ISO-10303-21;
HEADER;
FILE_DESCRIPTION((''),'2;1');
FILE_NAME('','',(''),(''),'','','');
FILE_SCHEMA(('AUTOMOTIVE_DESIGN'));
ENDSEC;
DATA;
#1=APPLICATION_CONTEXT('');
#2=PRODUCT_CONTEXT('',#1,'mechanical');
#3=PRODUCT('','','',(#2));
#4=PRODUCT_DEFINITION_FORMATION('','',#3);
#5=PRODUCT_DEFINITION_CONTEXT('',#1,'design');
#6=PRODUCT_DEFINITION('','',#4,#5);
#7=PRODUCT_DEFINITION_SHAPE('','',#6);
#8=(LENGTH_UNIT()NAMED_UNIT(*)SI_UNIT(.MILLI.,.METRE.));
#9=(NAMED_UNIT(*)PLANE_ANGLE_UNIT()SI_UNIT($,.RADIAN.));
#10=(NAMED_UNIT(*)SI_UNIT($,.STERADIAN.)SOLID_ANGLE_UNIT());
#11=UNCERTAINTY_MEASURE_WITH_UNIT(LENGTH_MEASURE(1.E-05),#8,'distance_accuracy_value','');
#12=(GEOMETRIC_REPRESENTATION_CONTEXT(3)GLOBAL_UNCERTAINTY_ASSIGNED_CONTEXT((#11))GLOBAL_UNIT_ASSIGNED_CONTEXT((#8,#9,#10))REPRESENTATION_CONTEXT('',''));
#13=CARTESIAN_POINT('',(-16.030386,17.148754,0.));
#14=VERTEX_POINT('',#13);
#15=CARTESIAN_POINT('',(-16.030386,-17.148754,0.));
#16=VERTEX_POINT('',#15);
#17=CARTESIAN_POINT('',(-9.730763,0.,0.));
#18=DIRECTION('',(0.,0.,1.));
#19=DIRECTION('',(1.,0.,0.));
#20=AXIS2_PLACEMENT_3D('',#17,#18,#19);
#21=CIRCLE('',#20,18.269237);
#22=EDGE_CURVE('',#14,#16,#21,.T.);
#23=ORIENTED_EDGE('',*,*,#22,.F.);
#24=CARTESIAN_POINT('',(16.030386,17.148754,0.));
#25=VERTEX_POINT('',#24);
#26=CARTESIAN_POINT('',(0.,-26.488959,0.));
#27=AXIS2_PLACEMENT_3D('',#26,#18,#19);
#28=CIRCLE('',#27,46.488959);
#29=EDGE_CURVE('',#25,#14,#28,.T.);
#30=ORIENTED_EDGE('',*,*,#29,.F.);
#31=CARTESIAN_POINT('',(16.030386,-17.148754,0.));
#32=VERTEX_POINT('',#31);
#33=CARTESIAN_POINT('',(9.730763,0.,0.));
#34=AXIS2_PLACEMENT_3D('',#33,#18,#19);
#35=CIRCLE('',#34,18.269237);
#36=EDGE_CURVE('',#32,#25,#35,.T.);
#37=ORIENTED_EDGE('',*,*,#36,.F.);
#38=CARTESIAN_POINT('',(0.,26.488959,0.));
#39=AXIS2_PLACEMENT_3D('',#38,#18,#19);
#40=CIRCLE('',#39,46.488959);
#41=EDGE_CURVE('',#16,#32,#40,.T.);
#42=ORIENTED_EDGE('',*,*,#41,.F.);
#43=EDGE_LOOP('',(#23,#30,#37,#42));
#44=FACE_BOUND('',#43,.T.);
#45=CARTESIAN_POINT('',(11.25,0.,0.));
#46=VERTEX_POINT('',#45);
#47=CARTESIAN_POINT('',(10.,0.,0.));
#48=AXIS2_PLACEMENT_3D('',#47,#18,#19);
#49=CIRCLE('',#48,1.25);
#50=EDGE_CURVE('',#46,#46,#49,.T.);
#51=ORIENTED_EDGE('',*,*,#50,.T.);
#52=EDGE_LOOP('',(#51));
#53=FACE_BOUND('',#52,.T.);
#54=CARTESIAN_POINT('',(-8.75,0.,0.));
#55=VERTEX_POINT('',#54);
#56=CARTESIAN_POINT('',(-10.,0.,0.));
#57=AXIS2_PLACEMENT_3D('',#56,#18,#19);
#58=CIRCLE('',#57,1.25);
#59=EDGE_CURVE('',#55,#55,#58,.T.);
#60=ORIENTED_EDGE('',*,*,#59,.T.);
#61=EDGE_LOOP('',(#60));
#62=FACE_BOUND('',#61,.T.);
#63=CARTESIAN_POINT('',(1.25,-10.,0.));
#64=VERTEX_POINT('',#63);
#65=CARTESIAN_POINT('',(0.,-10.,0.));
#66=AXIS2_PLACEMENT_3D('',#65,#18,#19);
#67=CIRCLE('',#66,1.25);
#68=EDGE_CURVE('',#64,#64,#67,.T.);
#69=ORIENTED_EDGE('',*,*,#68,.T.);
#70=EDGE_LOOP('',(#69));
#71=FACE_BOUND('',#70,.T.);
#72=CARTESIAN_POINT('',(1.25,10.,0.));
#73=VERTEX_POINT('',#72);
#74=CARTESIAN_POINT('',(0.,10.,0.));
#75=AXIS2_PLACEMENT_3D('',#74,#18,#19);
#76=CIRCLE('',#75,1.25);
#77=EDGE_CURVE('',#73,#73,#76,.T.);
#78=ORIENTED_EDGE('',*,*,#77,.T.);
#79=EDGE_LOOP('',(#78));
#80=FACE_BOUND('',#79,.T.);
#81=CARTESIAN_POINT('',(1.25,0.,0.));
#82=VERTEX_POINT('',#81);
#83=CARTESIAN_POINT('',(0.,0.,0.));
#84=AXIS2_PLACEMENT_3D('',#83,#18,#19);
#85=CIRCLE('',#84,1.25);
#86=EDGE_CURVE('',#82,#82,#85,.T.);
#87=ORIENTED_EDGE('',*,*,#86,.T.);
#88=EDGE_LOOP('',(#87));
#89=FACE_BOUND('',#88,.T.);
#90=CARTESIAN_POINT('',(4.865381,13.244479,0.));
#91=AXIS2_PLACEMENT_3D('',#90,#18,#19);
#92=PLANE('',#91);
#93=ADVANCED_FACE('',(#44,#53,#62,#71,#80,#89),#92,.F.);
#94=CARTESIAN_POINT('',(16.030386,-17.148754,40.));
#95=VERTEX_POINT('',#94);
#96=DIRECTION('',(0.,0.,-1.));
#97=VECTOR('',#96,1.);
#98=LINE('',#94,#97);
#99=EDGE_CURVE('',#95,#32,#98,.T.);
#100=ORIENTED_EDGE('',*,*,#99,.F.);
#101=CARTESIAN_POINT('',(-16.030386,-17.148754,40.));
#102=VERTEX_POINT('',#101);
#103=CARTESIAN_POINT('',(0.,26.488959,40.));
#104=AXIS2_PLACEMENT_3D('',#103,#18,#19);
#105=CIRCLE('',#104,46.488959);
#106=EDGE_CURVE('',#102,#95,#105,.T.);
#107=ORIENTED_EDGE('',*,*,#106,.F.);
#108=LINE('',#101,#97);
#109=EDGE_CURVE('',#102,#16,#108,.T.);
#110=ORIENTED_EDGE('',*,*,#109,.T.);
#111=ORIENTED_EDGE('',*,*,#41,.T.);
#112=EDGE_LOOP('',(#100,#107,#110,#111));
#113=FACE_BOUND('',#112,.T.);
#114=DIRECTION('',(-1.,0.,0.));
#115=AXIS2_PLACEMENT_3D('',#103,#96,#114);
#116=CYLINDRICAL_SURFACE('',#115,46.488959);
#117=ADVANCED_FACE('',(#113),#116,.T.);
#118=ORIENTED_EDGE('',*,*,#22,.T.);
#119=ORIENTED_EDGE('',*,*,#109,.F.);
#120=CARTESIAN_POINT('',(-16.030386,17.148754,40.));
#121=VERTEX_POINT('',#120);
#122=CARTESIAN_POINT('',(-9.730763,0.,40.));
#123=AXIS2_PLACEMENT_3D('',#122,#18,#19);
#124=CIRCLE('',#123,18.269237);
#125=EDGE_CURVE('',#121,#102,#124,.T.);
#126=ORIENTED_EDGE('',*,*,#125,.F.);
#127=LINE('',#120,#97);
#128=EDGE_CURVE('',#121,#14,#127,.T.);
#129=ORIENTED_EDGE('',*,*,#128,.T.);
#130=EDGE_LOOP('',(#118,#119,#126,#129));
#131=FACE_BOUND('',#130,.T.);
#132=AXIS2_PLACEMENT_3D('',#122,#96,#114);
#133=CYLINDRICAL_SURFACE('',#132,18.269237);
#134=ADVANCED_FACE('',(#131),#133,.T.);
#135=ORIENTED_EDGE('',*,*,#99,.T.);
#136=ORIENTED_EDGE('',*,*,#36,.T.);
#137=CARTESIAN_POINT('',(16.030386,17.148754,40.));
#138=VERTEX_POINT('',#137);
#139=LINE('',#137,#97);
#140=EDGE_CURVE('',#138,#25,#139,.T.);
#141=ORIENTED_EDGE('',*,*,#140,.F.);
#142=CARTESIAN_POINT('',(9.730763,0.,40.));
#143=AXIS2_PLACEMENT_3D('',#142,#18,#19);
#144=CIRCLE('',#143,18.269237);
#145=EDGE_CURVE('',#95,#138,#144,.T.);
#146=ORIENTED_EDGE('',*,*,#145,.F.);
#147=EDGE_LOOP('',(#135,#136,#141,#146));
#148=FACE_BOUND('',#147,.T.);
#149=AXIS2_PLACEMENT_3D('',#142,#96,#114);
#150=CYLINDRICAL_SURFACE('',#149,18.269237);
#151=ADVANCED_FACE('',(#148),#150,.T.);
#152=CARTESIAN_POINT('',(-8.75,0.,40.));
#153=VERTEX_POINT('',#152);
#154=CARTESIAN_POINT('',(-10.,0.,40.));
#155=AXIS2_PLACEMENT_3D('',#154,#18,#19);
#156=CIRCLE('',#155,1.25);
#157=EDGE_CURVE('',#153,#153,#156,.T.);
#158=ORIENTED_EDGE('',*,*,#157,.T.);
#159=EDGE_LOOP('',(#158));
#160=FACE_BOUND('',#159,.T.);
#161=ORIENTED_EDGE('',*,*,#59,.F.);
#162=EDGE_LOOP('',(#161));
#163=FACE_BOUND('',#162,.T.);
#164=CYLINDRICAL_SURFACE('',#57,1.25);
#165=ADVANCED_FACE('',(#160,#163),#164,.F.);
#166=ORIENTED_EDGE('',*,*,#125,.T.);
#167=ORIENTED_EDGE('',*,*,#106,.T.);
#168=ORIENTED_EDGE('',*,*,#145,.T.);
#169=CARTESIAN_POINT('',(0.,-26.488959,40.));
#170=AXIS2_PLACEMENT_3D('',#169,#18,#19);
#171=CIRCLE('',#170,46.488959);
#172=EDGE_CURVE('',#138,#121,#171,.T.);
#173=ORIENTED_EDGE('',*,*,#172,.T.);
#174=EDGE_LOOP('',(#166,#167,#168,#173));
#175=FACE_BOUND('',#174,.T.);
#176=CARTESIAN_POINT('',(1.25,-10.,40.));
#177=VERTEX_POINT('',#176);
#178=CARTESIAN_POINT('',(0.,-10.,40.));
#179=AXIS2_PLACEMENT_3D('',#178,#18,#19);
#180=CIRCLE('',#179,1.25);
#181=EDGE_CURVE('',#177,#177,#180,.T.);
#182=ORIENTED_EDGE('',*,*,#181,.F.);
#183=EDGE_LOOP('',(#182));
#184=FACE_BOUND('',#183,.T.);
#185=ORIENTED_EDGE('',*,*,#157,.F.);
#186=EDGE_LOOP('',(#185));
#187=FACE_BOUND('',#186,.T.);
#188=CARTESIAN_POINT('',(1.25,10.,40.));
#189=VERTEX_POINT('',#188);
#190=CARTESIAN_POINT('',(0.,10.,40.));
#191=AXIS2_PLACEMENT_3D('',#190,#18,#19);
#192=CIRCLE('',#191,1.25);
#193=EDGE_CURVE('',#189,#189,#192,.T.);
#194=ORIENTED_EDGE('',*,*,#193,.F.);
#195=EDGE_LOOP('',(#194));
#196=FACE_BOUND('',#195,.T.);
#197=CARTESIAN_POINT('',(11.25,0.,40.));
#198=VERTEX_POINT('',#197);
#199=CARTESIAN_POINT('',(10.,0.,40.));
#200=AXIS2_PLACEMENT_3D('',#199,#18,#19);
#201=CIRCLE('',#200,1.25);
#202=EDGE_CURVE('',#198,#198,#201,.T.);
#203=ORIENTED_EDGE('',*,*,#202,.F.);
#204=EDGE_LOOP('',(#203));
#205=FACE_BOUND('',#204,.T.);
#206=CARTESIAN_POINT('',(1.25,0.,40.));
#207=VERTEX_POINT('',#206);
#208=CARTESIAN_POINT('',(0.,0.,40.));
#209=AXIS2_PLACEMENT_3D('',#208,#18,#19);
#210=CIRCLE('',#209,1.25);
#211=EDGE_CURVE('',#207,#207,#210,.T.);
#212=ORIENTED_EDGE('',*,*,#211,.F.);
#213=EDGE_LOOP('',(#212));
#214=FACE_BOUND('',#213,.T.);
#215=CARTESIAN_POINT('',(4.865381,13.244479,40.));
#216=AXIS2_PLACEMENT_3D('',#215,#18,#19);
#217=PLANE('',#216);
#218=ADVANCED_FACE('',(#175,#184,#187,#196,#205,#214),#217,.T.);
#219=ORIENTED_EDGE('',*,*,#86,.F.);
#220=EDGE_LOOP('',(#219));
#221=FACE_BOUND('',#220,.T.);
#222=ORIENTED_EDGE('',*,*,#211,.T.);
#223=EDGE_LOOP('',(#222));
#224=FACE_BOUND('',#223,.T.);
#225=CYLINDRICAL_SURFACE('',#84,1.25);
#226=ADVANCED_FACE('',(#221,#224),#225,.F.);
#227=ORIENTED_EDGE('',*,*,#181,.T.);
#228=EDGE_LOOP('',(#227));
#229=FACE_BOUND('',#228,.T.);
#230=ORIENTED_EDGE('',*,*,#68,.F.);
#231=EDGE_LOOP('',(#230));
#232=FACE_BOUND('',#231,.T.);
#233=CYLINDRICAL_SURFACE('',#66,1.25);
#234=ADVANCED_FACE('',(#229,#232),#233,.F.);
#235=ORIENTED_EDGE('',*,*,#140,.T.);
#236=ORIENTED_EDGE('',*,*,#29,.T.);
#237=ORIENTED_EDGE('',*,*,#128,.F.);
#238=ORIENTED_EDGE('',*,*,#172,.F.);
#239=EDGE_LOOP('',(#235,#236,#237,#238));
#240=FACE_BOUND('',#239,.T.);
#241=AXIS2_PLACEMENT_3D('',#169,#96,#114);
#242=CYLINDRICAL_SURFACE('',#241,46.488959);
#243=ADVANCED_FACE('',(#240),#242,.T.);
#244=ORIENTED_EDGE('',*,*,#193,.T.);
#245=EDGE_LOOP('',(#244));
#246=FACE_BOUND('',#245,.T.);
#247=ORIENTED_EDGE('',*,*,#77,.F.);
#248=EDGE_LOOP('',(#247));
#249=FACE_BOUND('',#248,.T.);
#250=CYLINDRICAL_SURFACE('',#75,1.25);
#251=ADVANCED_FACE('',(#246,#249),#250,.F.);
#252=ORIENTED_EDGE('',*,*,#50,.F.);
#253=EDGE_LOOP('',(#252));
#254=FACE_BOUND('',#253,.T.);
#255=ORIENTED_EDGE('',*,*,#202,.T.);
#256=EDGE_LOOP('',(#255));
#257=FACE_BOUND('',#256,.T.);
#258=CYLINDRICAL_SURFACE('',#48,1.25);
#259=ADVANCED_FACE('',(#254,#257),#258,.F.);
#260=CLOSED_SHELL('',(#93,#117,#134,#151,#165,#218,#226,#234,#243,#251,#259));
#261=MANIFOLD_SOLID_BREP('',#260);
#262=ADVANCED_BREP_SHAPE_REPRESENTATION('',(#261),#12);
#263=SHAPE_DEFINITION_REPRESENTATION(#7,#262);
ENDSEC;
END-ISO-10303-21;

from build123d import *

# Parameters (mm, degrees)
BOSS_EXTRUDE1_DEPTH = 40
SKETCH2_R           = 1.25
CUT_EXTRUDE1_DEPTH  = 41


with BuildPart() as part:
    # Sketch1 → Boss-Extrude1 (new body)
    with BuildSketch(Plane.XY):
        with BuildLine():
            ThreePointArc((-16.03038595, 17.148754429), (-28, 0), (-16.03038595, -17.148754429))
            ThreePointArc((-16.03038595, -17.148754429), (0, -20), (16.03038595, -17.148754429))
            ThreePointArc((16.03038595, -17.148754429), (28, 0), (16.03038595, 17.148754429))
            ThreePointArc((16.03038595, 17.148754429), (0, 20), (-16.03038595, 17.148754429))
        make_face()
    extrude(amount=BOSS_EXTRUDE1_DEPTH)

    # Sketch2 → Cut-Extrude1 (cut, through all)
    with BuildSketch(Plane.XY.offset(40)):
        with Locations((0, 10)):
            Circle(SKETCH2_R)
        with Locations((10, 0)):
            Circle(SKETCH2_R)
        with Locations((0, -10)):
            Circle(SKETCH2_R)
        with Locations((-10, 0)):
            Circle(SKETCH2_R)
        Circle(SKETCH2_R)
    extrude(amount=-CUT_EXTRUDE1_DEPTH, mode=Mode.SUBTRACT)


solid = part.part
